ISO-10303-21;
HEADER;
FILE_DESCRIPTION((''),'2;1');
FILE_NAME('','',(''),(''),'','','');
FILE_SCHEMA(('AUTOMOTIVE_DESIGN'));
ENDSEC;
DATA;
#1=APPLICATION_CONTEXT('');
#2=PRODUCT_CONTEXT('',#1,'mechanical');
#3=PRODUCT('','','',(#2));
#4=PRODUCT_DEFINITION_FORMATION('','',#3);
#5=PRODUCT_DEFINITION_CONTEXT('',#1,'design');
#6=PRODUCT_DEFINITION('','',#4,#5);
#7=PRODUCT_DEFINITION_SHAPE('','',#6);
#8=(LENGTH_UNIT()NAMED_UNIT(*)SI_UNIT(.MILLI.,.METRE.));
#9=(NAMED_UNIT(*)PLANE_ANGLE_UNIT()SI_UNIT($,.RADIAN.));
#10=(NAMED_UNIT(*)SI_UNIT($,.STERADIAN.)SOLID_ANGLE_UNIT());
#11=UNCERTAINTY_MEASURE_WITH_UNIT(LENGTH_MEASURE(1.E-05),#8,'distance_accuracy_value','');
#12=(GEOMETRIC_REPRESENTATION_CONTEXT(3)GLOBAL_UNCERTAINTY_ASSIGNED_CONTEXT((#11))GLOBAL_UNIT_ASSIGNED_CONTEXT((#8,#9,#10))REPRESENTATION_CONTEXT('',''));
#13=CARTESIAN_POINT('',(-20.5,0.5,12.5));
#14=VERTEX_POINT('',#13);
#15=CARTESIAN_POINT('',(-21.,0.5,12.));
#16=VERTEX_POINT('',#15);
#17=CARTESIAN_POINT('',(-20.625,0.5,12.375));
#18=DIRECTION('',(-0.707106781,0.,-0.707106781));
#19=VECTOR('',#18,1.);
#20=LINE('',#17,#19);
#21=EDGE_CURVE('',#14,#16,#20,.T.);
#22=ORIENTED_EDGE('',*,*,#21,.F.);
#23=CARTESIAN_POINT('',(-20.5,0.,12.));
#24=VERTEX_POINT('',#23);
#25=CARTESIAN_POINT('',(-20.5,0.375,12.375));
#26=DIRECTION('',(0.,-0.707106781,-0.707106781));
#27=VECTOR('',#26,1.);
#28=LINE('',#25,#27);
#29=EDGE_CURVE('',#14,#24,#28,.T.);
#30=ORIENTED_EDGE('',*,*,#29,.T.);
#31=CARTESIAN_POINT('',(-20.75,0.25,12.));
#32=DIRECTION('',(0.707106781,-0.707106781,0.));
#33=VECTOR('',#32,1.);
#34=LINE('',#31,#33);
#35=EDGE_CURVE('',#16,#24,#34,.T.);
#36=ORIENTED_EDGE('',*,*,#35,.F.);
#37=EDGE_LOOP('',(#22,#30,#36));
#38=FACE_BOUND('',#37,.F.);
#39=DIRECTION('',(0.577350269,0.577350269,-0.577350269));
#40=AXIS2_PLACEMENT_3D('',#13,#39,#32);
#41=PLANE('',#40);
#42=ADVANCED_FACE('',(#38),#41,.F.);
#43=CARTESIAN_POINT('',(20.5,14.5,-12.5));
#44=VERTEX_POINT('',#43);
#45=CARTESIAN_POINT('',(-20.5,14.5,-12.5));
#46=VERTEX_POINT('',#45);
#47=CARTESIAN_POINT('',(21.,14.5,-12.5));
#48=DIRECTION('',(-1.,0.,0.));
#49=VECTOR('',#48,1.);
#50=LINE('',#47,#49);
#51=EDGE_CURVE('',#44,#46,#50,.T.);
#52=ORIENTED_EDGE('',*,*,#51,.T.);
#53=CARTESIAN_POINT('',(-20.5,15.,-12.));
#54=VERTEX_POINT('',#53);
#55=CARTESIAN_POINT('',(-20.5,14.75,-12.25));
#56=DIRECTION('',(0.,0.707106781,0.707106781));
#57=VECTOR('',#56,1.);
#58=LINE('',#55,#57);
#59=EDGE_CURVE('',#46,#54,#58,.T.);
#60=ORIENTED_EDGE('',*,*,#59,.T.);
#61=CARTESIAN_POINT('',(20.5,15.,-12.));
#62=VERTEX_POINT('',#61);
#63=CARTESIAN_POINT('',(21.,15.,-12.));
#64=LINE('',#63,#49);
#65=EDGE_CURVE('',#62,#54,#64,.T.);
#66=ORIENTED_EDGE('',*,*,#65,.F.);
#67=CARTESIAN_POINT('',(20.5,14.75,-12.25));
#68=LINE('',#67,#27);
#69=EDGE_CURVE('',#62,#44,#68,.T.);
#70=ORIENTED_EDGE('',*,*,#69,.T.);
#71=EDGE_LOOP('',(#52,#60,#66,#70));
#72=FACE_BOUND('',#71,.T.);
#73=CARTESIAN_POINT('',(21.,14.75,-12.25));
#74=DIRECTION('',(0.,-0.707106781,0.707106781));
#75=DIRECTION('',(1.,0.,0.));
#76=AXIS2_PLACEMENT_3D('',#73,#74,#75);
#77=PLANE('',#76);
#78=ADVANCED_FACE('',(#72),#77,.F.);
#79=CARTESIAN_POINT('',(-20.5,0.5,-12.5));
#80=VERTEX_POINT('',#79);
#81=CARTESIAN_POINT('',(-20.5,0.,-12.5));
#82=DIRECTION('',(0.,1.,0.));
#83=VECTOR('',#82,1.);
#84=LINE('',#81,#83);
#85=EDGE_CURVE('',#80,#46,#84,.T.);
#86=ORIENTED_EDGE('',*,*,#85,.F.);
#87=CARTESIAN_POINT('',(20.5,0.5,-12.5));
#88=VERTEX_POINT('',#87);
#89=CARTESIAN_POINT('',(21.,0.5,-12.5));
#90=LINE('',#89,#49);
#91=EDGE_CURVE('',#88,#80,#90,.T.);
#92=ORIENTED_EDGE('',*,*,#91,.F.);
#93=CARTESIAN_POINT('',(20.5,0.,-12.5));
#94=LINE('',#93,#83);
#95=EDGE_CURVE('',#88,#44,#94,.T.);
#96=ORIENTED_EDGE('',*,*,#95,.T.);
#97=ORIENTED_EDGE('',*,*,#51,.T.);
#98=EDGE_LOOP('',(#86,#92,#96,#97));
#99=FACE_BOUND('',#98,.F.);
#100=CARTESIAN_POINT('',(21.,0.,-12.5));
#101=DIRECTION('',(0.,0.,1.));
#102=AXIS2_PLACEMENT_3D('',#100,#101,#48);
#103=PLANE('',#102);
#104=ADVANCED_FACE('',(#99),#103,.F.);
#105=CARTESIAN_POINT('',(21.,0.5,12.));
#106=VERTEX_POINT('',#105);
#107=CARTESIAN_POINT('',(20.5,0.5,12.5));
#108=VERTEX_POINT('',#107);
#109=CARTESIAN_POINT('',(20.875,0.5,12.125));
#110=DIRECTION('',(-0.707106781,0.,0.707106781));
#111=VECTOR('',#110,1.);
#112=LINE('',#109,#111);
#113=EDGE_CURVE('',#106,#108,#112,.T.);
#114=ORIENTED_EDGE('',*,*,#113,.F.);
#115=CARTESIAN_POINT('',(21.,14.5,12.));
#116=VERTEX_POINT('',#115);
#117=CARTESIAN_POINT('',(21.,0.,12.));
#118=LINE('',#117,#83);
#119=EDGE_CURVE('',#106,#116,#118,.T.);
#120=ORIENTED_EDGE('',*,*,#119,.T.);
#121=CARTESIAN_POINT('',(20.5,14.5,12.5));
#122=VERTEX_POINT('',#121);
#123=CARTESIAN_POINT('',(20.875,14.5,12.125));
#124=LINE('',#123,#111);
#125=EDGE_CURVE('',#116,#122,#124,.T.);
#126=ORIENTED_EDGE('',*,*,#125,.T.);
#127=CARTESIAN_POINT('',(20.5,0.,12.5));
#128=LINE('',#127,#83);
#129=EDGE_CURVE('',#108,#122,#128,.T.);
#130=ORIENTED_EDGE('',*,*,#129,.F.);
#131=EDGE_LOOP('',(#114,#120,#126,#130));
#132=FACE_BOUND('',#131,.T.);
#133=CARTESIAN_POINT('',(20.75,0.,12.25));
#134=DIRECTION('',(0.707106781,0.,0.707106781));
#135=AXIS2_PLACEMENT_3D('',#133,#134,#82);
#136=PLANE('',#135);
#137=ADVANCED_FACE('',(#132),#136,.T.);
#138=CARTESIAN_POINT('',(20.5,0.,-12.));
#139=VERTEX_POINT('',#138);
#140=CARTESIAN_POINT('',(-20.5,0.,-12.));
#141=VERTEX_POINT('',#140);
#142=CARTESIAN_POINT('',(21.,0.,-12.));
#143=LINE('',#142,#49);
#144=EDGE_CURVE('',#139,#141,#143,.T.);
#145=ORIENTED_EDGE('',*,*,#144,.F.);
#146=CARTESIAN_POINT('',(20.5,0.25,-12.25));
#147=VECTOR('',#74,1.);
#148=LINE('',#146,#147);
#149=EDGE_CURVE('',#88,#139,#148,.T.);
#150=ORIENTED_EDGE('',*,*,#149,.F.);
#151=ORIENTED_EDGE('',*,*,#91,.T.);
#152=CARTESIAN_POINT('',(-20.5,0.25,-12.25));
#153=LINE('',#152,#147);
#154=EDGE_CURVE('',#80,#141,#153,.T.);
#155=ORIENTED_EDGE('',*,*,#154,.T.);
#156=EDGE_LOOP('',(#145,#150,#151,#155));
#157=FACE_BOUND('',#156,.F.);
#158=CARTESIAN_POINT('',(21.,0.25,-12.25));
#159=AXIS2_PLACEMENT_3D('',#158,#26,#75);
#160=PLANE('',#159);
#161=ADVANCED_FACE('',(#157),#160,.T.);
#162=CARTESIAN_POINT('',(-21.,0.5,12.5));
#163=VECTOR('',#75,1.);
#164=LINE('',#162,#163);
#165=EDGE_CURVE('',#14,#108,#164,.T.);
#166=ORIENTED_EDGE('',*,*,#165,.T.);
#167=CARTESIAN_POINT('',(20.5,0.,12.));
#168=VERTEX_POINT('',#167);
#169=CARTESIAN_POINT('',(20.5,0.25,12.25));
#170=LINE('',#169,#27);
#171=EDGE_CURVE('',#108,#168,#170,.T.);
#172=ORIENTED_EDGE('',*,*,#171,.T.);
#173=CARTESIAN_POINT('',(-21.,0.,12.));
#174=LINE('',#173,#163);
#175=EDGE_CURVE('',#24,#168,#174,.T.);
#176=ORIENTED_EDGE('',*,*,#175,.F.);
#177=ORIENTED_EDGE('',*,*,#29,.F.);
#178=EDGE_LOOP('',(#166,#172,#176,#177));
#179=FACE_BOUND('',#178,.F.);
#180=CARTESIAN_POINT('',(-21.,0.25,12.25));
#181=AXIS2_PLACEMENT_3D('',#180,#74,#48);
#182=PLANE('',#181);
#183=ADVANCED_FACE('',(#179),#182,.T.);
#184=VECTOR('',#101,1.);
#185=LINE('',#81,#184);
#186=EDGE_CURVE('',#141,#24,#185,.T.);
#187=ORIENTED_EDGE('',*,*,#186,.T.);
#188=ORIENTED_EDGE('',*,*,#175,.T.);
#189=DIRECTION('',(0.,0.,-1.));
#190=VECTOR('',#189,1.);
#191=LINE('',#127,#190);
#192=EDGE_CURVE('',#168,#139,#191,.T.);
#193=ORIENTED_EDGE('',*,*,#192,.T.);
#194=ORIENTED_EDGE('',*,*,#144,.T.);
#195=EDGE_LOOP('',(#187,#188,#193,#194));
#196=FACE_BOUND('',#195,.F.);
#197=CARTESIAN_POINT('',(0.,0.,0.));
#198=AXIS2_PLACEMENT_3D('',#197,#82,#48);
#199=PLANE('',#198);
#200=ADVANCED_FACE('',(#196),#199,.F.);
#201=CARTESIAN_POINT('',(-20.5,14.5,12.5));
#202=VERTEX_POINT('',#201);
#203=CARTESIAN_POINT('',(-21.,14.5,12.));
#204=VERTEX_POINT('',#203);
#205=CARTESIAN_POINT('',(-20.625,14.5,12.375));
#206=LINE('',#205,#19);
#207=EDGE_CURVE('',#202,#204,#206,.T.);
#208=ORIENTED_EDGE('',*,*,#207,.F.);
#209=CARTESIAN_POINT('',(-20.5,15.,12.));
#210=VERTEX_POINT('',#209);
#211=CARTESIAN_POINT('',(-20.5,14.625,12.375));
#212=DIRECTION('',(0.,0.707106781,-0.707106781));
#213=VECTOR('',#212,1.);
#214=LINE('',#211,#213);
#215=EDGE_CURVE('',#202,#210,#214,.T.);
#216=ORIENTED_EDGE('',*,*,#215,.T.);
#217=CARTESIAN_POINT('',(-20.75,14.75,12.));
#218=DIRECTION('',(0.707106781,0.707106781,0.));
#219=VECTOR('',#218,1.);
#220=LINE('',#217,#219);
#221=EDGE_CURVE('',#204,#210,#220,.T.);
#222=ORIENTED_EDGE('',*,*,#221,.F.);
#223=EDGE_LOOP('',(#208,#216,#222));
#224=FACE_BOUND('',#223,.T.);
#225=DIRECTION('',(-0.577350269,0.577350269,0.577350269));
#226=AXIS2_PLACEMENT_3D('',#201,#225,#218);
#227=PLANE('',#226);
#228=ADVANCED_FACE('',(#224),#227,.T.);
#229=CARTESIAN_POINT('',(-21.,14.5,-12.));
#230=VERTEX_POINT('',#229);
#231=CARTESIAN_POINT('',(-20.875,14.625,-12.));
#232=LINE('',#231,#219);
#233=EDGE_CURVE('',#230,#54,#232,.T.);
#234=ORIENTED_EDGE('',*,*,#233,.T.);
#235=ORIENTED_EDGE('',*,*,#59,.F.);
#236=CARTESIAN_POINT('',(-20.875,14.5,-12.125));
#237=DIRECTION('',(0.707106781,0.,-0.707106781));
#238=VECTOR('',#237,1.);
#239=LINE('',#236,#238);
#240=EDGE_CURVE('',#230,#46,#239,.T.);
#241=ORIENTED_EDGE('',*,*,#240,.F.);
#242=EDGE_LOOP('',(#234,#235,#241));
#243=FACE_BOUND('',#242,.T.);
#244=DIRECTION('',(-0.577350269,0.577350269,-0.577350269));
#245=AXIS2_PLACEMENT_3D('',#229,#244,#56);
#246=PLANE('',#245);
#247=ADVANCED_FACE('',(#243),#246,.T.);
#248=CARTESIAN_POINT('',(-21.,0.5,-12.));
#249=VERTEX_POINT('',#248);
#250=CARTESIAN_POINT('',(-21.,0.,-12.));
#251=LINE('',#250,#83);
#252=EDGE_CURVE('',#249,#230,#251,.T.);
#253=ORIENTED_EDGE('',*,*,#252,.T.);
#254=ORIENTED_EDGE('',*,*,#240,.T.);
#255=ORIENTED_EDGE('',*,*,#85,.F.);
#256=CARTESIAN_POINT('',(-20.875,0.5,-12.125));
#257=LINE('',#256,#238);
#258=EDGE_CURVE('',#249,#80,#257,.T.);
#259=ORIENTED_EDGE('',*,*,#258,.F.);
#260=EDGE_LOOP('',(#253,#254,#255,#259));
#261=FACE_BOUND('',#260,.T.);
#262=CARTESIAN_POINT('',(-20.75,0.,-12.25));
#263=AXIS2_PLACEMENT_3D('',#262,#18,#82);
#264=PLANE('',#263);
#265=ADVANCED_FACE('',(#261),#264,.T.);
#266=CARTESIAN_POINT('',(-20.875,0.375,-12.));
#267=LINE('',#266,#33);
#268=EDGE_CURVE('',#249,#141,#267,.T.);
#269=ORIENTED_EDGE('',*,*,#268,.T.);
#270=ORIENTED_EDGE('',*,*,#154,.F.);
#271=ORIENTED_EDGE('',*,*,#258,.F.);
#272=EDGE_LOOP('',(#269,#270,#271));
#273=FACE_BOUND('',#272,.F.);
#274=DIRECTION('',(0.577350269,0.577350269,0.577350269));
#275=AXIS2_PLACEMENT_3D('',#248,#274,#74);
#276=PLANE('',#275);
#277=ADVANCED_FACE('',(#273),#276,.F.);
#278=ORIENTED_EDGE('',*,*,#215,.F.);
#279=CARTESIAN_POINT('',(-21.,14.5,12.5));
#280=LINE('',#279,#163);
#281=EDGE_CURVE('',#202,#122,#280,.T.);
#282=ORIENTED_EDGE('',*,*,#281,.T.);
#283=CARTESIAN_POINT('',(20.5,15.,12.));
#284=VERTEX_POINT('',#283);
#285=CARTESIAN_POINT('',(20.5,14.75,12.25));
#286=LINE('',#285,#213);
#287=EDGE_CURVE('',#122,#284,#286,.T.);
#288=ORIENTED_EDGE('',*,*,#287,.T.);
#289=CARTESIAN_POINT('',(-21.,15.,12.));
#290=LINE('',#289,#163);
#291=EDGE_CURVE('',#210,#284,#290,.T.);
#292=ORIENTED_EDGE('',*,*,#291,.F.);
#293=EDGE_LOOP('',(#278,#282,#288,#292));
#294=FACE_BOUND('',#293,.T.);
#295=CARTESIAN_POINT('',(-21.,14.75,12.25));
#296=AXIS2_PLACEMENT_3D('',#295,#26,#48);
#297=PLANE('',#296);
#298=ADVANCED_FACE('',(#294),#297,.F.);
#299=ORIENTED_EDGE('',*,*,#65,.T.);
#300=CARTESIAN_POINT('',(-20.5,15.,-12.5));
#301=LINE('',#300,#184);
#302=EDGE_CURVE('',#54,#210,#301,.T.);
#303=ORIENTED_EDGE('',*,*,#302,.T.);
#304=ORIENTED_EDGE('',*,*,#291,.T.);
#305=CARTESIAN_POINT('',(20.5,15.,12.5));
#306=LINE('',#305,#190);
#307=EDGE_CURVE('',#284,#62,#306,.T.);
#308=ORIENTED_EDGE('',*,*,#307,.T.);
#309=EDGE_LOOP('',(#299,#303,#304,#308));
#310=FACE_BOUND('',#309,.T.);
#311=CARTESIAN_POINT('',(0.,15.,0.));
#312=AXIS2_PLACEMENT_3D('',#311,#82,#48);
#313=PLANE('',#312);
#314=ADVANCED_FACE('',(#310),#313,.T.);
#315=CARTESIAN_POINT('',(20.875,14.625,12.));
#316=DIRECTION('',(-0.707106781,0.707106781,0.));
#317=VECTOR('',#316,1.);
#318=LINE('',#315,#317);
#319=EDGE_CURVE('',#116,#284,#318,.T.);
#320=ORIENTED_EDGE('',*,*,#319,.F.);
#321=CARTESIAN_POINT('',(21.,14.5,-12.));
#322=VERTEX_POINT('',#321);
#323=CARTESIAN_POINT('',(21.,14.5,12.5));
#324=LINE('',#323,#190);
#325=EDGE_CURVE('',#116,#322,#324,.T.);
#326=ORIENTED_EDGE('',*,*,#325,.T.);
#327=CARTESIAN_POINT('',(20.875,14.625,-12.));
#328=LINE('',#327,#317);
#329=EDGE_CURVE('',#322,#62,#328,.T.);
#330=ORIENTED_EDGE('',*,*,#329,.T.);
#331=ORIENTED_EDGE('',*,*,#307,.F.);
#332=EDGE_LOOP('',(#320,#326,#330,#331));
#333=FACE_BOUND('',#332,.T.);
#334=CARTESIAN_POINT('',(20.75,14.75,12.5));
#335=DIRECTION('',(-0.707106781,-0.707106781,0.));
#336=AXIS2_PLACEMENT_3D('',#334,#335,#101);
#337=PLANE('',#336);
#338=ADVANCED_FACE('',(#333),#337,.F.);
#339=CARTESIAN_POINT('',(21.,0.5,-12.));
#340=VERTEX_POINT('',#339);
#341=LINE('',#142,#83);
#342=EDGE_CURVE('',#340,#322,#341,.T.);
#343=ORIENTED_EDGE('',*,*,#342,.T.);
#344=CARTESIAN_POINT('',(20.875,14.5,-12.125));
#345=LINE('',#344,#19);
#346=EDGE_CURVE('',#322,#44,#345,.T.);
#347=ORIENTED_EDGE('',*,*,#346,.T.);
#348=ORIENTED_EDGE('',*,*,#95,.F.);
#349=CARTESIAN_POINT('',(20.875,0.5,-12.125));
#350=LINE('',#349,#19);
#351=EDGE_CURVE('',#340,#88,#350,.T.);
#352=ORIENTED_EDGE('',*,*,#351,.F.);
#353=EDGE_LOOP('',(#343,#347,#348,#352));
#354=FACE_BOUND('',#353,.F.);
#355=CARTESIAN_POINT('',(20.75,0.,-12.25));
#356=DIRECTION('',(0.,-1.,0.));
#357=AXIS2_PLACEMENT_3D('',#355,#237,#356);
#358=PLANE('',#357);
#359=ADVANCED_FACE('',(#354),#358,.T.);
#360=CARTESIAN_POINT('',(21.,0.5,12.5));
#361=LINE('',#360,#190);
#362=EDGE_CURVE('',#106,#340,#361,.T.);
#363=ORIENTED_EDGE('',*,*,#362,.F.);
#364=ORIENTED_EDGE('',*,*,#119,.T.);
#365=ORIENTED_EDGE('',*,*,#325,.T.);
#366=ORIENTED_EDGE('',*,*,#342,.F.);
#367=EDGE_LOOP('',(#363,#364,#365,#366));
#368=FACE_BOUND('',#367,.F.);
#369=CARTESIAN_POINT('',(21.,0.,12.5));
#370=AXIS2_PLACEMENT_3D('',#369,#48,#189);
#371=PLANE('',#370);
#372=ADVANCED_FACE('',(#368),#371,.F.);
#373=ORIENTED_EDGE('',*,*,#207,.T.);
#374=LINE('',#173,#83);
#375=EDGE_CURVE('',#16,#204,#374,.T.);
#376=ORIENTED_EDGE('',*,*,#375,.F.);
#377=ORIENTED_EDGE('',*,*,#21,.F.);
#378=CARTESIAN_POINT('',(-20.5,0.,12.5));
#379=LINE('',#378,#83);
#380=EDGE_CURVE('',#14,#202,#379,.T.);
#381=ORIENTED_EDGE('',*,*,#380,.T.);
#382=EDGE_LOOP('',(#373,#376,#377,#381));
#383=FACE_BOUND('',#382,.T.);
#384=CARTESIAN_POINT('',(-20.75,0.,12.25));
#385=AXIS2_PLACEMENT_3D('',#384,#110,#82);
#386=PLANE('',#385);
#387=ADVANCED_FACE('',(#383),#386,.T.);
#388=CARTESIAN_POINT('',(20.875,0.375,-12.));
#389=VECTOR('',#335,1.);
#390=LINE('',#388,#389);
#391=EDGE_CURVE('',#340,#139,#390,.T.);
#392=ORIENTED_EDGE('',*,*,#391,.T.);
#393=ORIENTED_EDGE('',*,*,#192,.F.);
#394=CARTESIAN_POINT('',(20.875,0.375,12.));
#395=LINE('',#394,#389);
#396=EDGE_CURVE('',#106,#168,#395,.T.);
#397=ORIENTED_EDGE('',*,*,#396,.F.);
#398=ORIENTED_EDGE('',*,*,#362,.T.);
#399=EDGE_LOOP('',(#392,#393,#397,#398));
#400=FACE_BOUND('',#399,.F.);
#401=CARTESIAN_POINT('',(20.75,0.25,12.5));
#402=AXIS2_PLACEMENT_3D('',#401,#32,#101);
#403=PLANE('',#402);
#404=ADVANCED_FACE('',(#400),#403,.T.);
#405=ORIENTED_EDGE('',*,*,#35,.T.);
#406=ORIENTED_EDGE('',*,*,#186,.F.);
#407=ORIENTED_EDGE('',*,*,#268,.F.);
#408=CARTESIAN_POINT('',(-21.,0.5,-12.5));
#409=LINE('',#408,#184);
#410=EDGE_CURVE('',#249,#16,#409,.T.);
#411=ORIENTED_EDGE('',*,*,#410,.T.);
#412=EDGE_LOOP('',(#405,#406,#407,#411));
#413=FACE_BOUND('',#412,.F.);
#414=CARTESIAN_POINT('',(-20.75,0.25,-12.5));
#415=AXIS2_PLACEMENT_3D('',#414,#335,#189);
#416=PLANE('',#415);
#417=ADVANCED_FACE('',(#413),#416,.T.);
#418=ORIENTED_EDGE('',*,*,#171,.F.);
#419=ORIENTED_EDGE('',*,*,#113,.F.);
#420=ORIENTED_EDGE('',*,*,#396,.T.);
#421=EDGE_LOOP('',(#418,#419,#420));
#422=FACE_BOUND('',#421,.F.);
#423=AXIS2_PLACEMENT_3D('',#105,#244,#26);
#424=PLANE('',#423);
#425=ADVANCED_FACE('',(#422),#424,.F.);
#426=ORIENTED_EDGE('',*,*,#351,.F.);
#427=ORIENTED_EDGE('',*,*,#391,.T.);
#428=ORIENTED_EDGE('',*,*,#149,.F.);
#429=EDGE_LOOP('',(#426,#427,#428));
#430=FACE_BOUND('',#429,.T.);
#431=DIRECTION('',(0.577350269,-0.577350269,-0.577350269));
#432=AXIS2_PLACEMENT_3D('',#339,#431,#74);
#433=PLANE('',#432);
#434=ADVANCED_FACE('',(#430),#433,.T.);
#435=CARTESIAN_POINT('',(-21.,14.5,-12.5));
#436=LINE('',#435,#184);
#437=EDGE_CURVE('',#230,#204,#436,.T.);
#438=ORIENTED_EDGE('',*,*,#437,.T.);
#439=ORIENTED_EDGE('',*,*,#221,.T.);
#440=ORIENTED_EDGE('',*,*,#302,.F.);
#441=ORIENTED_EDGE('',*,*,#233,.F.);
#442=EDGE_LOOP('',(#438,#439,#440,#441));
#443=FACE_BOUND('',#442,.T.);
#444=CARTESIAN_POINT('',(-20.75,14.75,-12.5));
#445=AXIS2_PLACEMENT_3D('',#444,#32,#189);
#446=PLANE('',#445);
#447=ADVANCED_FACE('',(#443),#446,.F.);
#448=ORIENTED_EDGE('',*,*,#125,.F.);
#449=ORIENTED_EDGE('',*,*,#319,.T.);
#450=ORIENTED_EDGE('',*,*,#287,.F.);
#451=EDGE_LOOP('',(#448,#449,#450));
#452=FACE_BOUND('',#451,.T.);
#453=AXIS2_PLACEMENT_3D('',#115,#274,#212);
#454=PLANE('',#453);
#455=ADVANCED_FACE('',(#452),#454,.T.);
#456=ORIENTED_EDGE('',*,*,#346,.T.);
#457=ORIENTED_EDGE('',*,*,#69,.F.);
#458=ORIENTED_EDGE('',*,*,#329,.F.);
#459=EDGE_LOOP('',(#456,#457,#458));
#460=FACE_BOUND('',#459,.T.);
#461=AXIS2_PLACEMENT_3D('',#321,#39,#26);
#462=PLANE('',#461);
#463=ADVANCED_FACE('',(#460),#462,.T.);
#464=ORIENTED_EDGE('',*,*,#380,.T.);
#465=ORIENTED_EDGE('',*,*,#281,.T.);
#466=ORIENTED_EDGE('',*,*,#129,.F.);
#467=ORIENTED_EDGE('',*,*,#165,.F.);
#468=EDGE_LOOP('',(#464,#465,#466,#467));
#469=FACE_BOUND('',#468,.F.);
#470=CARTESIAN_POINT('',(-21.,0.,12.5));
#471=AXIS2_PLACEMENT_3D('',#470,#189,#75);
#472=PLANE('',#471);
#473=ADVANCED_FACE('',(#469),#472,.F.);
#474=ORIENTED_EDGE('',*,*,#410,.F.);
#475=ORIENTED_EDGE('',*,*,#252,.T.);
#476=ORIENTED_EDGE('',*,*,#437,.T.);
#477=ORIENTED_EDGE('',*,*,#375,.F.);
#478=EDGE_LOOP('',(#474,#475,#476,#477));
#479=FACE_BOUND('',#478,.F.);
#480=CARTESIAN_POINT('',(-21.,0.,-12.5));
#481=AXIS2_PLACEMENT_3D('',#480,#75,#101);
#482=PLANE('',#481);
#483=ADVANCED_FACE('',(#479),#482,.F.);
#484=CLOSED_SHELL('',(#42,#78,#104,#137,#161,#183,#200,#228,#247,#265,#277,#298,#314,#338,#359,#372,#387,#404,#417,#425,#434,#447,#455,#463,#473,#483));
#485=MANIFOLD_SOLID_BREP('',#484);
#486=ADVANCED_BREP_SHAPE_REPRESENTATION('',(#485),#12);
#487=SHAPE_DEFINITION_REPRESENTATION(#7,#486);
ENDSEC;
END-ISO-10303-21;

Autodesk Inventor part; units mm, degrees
ref_plane "YZ Plane" through (0, 0, 0) normal (1, 0, 0) x (0, 1, 0)
ref_plane "XZ Plane" through (0, 0, 0) normal (0, 1, 0) x (-1, 0, 0)
ref_plane "XY Plane" through (0, 0, 0) normal (0, 0, 1) x (1, 0, 0)
sketch "Szkic1" plane through (0, 0, 0) normal (0, 1, 0) x (-1, 0, 0)
  line L0 (-21, -12.5) -> (21, -12.5)
  line L1 (21, -12.5) -> (21, 12.5)
  line L2 (21, 12.5) -> (-21, 12.5)
  line L3 (-21, 12.5) -> (-21, -12.5)
  line L4 (-21, -12.5) -> (21, 12.5) construction
  line L5 (21, -12.5) -> (-21, 12.5) construction
  point P0 (0, 0)
  dimension "d2" = 42
  dimension "d3" = 25
extrude "Wyciągnięcie proste1" add sketch "Szkic1" along normal blind 15
chamfer "Faza1" distance 0.5 angle 45 12 edges at (0, 15, -12.5) (0, 0, -12.5) (-21, 7.5, -12.5) (-21, 15, 0) (-21, 0, 0) (-21, 7.5, 12.5) (0, 15, 12.5) (0, 0, 12.5) (21, 7.5, 12.5) (21, 15, 0) (21, 7.5, -12.5) (21, 0, 0)
properties part number "kloc"
